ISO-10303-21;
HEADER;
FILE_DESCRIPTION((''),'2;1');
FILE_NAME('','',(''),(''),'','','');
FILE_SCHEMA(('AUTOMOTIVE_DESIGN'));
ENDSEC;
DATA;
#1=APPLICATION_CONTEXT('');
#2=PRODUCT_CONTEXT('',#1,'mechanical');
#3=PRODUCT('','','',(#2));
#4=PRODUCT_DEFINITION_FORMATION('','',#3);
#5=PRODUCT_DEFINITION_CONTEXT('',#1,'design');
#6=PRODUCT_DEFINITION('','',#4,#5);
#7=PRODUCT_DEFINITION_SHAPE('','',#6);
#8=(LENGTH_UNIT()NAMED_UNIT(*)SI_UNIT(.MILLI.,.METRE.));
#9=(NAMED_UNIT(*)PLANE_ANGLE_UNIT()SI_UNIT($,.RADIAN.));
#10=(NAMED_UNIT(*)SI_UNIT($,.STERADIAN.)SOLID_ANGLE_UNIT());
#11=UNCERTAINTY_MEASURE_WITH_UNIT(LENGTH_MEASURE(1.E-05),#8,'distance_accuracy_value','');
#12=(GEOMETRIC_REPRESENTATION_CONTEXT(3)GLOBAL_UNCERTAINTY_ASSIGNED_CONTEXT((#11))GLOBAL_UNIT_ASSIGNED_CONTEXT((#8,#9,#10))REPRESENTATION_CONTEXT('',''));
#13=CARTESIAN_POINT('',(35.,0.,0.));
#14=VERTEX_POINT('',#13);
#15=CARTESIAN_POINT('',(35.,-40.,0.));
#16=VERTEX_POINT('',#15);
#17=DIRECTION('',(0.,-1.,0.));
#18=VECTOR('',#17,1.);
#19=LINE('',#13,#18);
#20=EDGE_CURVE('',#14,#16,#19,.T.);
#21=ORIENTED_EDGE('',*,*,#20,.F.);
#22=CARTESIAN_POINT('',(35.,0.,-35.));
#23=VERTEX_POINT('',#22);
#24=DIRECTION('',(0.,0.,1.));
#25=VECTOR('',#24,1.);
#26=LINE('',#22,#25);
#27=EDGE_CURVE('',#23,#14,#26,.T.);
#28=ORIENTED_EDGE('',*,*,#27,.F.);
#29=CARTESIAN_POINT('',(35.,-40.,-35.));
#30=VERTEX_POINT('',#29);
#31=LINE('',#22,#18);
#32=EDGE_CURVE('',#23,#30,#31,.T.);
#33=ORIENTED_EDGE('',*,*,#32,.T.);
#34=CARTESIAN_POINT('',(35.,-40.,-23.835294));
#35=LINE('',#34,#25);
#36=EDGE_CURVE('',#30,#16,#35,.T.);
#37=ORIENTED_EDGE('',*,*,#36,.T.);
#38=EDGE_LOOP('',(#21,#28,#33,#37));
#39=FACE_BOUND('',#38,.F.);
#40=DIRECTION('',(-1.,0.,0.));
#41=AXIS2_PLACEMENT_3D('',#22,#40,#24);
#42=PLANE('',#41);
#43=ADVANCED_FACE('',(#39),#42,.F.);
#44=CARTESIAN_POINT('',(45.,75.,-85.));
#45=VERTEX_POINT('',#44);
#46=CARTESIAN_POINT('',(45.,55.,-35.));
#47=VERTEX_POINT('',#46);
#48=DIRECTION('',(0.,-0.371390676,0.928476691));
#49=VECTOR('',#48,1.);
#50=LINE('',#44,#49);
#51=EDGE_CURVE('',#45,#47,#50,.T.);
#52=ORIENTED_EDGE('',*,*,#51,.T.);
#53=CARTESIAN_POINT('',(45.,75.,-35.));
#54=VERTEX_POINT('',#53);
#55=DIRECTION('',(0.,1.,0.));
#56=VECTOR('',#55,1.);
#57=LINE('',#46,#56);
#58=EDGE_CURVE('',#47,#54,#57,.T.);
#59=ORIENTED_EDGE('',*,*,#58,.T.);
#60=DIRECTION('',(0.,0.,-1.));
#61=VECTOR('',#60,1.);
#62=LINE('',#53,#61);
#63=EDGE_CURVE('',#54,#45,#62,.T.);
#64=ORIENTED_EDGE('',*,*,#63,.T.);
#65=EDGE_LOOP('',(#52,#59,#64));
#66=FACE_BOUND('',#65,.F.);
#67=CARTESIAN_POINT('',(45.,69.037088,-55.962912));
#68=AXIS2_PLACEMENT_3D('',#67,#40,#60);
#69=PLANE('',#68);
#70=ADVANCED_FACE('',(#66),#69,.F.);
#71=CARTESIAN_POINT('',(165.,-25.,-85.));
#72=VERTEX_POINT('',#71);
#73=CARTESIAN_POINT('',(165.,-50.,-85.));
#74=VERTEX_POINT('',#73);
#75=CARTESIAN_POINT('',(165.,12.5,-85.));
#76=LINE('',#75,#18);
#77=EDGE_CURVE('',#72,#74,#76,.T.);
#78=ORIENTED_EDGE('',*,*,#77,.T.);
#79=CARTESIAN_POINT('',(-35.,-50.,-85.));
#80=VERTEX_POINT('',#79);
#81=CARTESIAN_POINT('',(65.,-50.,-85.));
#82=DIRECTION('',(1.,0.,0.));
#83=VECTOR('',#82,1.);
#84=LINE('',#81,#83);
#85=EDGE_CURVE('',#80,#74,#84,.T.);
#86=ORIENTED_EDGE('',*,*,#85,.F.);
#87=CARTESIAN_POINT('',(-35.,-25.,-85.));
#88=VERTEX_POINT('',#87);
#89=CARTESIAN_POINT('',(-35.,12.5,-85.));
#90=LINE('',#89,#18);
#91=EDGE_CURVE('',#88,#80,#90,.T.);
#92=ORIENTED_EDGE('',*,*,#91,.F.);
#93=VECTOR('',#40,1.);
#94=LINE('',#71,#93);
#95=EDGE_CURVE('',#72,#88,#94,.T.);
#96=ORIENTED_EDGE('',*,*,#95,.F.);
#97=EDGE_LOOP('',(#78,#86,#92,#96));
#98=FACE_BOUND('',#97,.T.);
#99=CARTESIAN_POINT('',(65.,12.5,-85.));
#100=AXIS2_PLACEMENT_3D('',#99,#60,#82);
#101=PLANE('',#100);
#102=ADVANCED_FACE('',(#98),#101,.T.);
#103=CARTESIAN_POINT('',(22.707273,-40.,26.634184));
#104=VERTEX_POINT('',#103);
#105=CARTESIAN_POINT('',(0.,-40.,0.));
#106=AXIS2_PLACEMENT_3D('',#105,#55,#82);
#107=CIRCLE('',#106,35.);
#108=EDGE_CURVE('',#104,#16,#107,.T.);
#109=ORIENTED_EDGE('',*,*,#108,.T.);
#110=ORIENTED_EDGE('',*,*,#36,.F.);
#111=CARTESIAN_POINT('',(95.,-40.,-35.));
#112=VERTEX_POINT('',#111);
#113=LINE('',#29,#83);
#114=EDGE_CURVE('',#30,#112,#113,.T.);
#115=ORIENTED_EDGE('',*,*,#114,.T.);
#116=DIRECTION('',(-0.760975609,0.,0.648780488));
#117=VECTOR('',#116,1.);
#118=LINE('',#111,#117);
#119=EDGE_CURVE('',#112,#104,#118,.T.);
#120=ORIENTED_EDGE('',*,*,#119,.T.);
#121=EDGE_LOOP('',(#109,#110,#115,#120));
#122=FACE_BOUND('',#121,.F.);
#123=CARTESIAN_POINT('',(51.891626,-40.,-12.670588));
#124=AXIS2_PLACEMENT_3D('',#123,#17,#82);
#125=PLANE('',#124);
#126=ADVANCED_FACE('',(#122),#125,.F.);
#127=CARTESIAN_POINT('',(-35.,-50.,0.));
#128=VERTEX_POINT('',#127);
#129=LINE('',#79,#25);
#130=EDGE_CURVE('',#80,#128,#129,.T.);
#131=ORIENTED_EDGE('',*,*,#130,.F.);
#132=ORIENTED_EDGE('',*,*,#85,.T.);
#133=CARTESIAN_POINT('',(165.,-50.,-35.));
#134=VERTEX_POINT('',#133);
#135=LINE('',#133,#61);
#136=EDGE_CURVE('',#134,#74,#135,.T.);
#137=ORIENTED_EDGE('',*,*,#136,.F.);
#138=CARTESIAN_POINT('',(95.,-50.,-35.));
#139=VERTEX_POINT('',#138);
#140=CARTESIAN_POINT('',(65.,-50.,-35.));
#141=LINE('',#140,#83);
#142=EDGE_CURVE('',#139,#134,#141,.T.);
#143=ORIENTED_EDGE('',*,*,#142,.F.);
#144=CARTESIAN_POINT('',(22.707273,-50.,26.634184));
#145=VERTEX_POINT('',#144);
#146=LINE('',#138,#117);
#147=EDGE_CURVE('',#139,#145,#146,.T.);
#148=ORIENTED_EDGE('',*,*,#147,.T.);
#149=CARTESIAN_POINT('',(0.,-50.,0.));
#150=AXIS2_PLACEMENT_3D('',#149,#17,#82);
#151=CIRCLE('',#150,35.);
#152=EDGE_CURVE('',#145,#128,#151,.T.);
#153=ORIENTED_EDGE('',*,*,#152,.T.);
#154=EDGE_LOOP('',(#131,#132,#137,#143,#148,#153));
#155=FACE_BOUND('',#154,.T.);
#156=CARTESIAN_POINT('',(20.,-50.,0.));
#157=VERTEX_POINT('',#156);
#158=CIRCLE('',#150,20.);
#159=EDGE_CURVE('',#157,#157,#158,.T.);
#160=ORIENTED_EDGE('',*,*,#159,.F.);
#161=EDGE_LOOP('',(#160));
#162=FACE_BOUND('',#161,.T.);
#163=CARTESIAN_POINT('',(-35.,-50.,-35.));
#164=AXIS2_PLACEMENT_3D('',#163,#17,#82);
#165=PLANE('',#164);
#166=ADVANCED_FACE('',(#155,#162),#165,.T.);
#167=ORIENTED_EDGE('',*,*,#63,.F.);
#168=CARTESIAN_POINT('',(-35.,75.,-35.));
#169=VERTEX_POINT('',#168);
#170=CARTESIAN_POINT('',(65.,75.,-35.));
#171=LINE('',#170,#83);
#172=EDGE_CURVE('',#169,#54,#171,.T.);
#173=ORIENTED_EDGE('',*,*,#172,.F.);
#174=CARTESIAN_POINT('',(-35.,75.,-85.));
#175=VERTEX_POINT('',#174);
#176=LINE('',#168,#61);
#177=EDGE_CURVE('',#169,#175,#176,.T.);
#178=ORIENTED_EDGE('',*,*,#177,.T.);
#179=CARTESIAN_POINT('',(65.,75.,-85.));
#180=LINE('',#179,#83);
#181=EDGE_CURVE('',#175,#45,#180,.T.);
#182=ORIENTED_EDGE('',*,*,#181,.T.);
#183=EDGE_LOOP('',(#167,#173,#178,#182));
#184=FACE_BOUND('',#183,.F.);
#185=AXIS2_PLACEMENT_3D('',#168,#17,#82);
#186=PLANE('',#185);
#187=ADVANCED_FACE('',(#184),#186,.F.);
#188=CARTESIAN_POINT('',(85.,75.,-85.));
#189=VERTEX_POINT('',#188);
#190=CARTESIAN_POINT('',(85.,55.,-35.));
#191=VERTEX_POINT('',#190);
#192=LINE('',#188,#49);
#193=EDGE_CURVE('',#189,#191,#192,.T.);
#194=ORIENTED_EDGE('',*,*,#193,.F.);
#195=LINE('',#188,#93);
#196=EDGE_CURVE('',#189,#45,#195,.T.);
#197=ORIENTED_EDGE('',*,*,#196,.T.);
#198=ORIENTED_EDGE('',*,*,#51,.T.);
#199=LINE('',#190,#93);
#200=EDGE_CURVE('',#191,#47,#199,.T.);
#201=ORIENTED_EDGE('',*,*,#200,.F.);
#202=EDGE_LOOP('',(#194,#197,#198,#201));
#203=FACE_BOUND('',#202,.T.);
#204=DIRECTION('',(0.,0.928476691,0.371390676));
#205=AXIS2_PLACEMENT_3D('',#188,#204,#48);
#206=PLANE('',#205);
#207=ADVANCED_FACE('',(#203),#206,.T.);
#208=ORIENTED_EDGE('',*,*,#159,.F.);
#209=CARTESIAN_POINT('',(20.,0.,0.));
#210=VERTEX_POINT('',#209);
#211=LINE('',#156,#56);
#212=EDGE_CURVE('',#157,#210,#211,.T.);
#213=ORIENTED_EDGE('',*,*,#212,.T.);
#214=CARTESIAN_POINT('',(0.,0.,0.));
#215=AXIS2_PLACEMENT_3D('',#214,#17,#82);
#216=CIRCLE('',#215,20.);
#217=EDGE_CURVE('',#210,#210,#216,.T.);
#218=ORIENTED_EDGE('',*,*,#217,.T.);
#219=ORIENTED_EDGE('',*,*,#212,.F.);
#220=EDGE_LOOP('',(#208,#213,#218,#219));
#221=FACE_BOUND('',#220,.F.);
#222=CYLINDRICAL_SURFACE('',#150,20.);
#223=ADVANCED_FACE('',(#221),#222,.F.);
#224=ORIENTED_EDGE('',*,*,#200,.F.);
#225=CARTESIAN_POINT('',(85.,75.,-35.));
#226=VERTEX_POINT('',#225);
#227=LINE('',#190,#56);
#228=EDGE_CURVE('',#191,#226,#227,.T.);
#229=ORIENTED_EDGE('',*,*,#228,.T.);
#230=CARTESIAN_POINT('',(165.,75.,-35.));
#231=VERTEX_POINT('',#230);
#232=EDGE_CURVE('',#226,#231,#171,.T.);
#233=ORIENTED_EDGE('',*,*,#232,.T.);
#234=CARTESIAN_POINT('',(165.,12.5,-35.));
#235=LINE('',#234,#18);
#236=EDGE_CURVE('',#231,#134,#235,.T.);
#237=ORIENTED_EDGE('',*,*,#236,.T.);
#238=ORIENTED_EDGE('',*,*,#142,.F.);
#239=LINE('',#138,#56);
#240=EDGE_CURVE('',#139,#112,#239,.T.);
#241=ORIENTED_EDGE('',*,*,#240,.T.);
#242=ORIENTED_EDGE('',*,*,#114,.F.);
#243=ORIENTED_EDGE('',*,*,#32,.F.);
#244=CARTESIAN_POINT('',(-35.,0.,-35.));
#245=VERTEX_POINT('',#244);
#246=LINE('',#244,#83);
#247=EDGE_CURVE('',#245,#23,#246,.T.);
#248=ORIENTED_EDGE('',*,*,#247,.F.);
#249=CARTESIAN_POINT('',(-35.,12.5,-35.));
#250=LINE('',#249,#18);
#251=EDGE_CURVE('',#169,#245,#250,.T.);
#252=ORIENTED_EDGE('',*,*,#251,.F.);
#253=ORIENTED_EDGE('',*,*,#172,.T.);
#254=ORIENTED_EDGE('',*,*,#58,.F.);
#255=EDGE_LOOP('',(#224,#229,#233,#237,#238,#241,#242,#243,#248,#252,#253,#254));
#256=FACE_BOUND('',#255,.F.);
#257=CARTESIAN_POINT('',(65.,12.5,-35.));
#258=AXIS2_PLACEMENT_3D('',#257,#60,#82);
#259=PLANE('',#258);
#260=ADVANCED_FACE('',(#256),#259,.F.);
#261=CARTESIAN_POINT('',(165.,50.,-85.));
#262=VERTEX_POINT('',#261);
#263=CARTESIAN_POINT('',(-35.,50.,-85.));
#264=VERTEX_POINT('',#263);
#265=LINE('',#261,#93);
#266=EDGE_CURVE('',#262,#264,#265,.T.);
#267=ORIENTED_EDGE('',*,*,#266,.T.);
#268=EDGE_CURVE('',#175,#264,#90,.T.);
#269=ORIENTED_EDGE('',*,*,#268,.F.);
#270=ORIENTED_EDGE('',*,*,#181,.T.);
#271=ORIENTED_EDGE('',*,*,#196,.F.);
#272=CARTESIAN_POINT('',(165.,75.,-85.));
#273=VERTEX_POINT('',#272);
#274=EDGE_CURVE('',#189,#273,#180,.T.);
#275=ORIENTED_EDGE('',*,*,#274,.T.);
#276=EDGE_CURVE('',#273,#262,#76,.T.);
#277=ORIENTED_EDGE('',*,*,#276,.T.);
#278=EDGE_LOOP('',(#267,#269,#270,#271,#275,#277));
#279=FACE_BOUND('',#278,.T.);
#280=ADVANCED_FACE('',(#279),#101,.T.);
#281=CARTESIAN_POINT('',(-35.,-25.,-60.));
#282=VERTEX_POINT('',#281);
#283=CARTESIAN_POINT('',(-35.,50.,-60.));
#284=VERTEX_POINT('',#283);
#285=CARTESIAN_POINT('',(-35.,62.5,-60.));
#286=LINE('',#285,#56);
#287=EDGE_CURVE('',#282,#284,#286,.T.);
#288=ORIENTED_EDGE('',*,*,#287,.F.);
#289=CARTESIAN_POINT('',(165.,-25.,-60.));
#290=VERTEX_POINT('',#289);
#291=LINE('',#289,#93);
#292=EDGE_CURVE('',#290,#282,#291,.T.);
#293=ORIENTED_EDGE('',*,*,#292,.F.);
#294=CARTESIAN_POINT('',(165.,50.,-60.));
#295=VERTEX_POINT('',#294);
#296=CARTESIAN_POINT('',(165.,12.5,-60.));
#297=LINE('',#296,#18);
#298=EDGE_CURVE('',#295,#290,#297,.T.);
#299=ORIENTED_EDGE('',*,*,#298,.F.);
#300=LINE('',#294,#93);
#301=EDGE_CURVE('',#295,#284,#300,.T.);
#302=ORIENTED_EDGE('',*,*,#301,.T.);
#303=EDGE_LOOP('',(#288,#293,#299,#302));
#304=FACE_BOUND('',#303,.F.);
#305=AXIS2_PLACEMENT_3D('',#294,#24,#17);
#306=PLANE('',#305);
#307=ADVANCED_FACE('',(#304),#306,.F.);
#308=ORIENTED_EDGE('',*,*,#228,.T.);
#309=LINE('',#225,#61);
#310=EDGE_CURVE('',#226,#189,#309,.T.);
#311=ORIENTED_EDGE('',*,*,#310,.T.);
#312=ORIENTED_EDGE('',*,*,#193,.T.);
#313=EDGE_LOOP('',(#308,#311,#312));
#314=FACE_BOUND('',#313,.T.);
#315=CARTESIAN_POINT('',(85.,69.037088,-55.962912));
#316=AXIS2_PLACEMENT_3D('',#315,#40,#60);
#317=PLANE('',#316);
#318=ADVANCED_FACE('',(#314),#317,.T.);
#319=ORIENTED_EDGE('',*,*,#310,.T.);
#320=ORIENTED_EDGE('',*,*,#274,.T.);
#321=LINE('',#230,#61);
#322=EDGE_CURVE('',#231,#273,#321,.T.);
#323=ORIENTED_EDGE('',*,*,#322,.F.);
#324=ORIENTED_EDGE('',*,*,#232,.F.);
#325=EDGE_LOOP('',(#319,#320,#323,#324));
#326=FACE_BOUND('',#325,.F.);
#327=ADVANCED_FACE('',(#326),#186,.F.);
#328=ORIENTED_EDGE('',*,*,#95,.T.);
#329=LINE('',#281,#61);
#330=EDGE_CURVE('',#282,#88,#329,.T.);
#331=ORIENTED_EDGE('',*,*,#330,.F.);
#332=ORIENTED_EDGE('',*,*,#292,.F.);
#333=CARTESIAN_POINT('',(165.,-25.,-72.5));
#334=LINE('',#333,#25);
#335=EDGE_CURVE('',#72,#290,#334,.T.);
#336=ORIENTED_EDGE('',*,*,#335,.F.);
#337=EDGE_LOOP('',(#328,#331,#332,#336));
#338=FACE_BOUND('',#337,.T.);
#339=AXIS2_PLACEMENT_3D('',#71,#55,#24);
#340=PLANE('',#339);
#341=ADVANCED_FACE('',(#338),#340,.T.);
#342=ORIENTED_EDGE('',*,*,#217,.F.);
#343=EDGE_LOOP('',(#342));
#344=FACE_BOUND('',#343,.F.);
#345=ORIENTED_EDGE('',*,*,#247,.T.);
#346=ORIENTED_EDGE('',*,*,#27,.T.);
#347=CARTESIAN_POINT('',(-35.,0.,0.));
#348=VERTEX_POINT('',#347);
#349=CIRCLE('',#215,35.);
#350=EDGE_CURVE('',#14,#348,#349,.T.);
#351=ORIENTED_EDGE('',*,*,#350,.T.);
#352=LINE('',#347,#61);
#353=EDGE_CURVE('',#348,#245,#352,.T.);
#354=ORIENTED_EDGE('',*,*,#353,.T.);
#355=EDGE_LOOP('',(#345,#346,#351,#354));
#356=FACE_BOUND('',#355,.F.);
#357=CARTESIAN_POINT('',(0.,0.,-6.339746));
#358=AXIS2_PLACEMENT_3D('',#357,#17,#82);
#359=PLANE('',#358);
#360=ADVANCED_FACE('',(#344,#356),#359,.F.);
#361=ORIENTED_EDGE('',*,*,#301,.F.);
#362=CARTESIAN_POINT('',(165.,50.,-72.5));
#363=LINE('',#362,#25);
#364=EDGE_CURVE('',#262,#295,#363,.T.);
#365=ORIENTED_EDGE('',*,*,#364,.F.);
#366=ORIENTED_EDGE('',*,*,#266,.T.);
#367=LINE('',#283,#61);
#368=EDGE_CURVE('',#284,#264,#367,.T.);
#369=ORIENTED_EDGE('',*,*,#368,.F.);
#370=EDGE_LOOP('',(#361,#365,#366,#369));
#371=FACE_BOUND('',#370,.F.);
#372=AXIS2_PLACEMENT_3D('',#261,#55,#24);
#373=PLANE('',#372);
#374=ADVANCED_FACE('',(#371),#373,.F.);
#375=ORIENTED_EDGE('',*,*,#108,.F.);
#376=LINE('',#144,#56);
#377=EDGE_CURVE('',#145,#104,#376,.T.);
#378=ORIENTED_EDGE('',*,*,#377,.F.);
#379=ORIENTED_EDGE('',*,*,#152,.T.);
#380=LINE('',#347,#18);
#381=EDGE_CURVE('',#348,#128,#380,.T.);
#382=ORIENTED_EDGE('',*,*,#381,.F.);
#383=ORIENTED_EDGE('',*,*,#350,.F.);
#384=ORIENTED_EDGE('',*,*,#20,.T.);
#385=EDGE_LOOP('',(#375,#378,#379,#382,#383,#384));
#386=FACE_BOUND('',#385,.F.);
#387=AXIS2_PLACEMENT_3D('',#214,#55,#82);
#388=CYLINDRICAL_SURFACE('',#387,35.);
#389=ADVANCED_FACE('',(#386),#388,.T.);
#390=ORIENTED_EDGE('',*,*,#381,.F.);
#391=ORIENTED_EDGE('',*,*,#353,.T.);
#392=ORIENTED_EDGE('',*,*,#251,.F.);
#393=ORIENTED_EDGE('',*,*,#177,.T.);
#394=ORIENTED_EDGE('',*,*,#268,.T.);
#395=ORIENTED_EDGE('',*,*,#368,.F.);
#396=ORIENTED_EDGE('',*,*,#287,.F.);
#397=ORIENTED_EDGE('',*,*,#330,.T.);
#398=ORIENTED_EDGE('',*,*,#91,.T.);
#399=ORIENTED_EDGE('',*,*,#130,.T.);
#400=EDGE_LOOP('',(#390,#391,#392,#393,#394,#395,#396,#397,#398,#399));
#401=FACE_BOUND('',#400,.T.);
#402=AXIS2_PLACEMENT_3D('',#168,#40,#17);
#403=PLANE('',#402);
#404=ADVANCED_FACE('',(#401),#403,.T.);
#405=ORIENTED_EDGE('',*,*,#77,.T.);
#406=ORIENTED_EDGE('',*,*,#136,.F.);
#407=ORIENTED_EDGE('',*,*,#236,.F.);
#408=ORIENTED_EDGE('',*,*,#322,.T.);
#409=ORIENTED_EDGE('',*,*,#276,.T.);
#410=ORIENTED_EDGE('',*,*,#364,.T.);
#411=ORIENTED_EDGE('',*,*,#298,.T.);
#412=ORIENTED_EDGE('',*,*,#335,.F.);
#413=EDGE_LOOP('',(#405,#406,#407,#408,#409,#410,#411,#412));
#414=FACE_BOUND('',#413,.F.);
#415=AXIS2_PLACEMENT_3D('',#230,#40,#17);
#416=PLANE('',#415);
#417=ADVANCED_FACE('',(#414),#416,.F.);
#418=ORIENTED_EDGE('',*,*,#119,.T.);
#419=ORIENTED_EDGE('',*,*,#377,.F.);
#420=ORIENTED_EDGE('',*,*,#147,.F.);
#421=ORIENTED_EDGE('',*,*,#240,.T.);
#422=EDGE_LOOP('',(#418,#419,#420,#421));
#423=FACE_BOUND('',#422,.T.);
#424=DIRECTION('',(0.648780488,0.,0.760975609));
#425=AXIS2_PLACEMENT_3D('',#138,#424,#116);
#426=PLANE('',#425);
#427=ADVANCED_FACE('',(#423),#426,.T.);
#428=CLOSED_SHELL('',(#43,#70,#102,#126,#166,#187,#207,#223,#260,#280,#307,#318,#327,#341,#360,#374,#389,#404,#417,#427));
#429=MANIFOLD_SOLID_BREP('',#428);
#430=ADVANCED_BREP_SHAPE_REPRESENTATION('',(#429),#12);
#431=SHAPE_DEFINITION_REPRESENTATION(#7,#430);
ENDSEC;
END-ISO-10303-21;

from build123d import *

# Parameters (mm, degrees)
PAD_DEPTH         = 50
SKETCH001_R       = 20
POCKET_DEPTH      = 50.001
POCKET_DEPTH_BACK = 0.001
PAD001_DEPTH      = 10
SKETCH003_W       = 200
SKETCH003_H       = 125
PAD002_DEPTH      = 50
SKETCH004_W       = 25
SKETCH004_H       = 75
POCKET001_DEPTH   = 200.001
POCKET002_DEPTH   = 40


with BuildPart() as part:
    # Sketch → Pad (new body)
    with BuildSketch(Plane.XZ):
        with BuildLine():
            Line((-35, -35), (35, -35))
            Line((35, -35), (35, 0))
            ThreePointArc((35, 0), (0, 35), (-35, 0))
            Line((-35, 0), (-35, -35))
        make_face()
    extrude(amount=PAD_DEPTH)

    # Sketch001 (on Face6 of Pad) → Pocket (cut, two sides)
    with BuildSketch(Plane.XZ.offset(50)) as pocket_sk:
        Circle(SKETCH001_R)
    extrude(amount=-POCKET_DEPTH, mode=Mode.SUBTRACT)
    extrude(pocket_sk.sketch, amount=POCKET_DEPTH_BACK, mode=Mode.SUBTRACT)

    # Sketch002 (on Face5 of Pocket) → Pad001 (join)
    with BuildSketch(Plane.XZ.offset(50)):
        Polygon((35, -35), (95, -35), (22.707273, 26.634184), align=None)
    extrude(amount=-PAD001_DEPTH)

    # Sketch003 (on Face8 of Pad001) → Pad002 (join)
    with BuildSketch(Plane(origin=(0, 0, -35), x_dir=(1, 0, 0), z_dir=(0, 0, -1))):
        with Locations((65, -12.5)):
            Rectangle(SKETCH003_W, SKETCH003_H)
    extrude(amount=PAD002_DEPTH)

    # Sketch004 (on Face10 of Pad002) → Pocket001 (cut, through all)
    with BuildSketch(Plane(origin=(165, 0, 0), x_dir=(0, 0, 1), z_dir=(1, 0, 0))):
        with Locations((-72.5, -12.5)):
            Rectangle(SKETCH004_W, SKETCH004_H)
    extrude(amount=-POCKET001_DEPTH, mode=Mode.SUBTRACT)

    # Sketch005 (on Face16 of Pocket001) → Pocket002 (cut)
    with BuildSketch(Plane(origin=(85, 0, 0), x_dir=(0, 0, 1), z_dir=(1, 0, 0))):
        Polygon((-35, -55), (-35, -75), (-85, -75), align=None)
    extrude(amount=-POCKET002_DEPTH, mode=Mode.SUBTRACT)


solid = part.part
